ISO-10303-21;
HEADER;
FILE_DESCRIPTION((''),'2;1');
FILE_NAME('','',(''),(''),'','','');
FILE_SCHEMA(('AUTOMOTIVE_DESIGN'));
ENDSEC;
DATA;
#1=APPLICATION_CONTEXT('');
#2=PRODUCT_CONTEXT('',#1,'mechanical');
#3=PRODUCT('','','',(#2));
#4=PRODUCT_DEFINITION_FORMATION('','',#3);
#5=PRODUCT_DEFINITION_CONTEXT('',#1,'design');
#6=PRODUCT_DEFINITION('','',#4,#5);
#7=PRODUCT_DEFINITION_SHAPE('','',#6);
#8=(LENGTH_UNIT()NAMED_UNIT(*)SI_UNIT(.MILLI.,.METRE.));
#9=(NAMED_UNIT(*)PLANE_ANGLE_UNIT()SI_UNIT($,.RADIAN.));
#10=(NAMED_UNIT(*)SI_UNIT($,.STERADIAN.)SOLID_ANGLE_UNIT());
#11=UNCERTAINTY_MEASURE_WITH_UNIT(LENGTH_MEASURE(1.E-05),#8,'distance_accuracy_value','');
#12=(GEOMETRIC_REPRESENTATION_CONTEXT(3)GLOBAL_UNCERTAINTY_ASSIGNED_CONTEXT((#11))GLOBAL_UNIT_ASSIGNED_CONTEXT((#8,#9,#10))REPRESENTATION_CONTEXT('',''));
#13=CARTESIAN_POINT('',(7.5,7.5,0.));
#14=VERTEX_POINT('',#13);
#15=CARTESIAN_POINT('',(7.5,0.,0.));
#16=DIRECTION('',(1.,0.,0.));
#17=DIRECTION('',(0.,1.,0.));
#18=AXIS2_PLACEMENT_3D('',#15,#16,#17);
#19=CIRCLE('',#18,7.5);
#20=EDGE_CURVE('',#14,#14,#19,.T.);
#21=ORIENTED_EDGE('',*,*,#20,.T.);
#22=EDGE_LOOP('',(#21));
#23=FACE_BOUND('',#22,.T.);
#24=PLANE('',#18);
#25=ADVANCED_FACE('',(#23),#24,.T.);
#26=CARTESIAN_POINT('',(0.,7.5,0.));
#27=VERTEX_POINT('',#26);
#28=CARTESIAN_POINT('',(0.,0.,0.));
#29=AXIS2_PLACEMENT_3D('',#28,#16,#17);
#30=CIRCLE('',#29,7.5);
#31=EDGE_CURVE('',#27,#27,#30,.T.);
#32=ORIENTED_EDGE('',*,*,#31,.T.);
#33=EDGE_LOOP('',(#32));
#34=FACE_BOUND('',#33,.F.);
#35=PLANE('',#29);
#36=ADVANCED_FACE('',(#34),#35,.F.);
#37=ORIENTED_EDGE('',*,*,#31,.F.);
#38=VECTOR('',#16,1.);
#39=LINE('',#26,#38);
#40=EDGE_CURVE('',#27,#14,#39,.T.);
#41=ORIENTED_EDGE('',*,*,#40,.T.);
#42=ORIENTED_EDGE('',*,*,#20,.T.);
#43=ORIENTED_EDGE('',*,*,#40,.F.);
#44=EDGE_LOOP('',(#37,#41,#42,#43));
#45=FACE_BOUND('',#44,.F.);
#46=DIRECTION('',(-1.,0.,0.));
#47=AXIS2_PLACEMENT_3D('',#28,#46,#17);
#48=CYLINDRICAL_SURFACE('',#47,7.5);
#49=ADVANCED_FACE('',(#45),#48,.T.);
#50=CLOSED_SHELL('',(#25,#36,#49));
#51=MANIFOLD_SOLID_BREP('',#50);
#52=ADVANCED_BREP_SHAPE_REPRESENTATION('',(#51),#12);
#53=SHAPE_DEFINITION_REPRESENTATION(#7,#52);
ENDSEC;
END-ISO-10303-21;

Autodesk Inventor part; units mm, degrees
ref_plane "YZ Plane" through (0, 0, 0) normal (1, 0, 0) x (0, 1, 0)
ref_plane "XZ Plane" through (0, 0, 0) normal (0, 1, 0) x (-1, 0, 0)
ref_plane "XY Plane" through (0, 0, 0) normal (0, 0, 1) x (1, 0, 0)
sketch "Sketch1" plane through (0, 0, 0) normal (1, 0, 0) x (0, 1, 0)
  circle A0 centre (0, 0) radius 7.5
  dimension "d0" = 15
extrude "Extrusion1" add sketch "Sketch1" along normal blind 7.5
properties part number "MAGNET MODEL"
